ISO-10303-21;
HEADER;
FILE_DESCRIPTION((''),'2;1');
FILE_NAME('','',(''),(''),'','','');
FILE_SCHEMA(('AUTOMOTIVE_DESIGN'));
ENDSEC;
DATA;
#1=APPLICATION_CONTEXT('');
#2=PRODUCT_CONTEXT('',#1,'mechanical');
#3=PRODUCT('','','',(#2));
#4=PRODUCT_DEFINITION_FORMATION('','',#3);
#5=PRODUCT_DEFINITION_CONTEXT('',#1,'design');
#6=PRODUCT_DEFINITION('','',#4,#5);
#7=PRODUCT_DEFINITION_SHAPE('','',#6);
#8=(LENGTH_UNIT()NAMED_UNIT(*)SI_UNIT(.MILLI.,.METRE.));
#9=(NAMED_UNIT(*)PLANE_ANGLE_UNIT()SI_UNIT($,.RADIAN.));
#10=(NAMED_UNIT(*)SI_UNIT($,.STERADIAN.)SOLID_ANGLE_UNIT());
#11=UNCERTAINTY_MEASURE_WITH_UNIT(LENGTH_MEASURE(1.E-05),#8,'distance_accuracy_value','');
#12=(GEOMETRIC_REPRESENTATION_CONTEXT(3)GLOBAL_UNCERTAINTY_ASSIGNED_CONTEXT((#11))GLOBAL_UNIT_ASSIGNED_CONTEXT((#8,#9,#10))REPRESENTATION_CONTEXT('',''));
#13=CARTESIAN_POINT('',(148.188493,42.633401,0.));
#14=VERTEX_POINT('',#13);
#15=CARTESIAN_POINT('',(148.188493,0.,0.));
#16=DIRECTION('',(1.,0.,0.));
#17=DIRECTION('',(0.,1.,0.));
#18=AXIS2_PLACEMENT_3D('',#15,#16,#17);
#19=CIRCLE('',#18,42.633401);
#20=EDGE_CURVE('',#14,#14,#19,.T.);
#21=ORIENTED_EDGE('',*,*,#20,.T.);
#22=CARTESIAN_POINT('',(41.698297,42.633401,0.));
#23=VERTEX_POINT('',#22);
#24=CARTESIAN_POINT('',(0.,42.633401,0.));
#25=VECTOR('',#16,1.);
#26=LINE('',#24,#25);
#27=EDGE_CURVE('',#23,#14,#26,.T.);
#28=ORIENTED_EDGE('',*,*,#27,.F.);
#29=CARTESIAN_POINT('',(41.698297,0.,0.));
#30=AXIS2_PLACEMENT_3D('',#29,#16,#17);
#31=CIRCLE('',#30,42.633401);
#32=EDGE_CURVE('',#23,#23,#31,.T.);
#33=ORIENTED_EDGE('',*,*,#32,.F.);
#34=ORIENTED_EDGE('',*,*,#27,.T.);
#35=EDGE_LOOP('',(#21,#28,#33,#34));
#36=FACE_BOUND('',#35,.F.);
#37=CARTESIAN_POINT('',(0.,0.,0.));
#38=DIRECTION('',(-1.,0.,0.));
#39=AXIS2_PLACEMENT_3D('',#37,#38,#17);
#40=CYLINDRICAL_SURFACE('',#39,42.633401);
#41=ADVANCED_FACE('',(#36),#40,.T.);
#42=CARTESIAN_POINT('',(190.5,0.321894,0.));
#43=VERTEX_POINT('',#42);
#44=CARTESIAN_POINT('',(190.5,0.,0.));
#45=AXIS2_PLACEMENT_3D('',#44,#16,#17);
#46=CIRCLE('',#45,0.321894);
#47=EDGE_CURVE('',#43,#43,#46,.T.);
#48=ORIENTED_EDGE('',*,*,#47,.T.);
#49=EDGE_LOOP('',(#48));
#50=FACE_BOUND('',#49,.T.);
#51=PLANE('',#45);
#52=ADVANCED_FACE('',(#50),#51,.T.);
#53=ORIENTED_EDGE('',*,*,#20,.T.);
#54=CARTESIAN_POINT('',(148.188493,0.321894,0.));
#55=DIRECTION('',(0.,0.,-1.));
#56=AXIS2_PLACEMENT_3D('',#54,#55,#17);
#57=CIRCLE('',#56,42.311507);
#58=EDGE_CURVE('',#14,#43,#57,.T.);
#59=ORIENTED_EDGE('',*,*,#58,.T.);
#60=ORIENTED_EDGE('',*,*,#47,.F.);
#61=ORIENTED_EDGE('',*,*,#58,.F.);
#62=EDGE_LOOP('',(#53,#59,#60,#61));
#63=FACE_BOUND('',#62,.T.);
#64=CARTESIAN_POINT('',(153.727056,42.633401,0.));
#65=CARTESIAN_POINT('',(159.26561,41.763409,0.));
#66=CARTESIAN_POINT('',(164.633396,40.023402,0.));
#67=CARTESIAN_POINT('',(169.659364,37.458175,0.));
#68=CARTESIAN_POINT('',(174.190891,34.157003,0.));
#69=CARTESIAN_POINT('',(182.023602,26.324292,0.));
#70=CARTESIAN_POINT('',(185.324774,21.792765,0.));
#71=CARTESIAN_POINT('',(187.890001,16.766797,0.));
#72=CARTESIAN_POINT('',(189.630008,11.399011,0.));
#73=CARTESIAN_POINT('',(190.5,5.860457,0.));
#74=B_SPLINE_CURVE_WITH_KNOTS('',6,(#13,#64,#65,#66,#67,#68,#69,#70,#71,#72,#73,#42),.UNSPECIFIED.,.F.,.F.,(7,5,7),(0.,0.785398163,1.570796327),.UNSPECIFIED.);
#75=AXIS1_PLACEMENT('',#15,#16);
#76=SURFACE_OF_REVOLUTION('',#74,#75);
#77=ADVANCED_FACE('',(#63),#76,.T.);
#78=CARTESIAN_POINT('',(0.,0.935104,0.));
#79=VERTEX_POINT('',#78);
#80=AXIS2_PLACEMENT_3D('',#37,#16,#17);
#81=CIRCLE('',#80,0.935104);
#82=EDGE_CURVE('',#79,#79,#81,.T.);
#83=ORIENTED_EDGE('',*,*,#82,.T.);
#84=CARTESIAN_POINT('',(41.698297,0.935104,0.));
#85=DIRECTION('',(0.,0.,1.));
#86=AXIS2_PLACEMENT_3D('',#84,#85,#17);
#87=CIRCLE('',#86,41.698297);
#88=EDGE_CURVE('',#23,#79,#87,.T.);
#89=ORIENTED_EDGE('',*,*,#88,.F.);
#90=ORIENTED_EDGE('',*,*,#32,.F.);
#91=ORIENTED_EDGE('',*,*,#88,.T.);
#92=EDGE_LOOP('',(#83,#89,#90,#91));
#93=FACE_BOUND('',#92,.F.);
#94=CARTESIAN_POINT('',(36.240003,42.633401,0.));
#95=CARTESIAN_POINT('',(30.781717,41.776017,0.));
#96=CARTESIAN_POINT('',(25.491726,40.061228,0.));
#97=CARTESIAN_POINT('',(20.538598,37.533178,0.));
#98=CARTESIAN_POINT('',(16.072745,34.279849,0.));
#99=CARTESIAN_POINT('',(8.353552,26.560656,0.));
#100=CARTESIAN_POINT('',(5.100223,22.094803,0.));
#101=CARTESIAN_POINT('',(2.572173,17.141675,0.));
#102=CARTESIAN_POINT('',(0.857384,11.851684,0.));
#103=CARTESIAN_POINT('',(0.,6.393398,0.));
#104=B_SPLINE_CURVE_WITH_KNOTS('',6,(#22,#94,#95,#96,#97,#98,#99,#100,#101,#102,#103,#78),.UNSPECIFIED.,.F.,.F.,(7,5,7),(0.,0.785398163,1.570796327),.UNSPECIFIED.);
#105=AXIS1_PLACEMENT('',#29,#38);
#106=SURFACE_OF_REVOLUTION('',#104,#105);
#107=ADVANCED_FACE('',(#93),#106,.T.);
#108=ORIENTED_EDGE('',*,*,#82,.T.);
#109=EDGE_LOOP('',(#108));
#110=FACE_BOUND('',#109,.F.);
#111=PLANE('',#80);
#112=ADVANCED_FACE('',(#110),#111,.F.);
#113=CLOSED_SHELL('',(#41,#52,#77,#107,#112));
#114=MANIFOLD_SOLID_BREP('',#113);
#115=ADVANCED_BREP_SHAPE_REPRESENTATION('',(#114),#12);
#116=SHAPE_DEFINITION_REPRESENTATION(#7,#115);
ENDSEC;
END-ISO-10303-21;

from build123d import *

# Parameters (mm, degrees)
F0_R     = 42.633401
F1_DEPTH = 190.5
F2_R     = 42.311507
F3_R     = 41.698297


with BuildPart() as f1:
    # F0 (on Right) → F1 (new body)
    with BuildSketch(Plane.YZ):
        Circle(F0_R)
    extrude(amount=F1_DEPTH)

    # F2
    f2_edges = [f1.edges().sort_by_distance(p)[0] for p in [
        (190.5, -42.633401, 0),
    ]]
    fillet(f2_edges, radius=F2_R)

    # F3
    f3_edges = [f1.edges().sort_by_distance(p)[0] for p in [
        (0, -42.633401, 0),
    ]]
    fillet(f3_edges, radius=F3_R)


solid = f1.part
